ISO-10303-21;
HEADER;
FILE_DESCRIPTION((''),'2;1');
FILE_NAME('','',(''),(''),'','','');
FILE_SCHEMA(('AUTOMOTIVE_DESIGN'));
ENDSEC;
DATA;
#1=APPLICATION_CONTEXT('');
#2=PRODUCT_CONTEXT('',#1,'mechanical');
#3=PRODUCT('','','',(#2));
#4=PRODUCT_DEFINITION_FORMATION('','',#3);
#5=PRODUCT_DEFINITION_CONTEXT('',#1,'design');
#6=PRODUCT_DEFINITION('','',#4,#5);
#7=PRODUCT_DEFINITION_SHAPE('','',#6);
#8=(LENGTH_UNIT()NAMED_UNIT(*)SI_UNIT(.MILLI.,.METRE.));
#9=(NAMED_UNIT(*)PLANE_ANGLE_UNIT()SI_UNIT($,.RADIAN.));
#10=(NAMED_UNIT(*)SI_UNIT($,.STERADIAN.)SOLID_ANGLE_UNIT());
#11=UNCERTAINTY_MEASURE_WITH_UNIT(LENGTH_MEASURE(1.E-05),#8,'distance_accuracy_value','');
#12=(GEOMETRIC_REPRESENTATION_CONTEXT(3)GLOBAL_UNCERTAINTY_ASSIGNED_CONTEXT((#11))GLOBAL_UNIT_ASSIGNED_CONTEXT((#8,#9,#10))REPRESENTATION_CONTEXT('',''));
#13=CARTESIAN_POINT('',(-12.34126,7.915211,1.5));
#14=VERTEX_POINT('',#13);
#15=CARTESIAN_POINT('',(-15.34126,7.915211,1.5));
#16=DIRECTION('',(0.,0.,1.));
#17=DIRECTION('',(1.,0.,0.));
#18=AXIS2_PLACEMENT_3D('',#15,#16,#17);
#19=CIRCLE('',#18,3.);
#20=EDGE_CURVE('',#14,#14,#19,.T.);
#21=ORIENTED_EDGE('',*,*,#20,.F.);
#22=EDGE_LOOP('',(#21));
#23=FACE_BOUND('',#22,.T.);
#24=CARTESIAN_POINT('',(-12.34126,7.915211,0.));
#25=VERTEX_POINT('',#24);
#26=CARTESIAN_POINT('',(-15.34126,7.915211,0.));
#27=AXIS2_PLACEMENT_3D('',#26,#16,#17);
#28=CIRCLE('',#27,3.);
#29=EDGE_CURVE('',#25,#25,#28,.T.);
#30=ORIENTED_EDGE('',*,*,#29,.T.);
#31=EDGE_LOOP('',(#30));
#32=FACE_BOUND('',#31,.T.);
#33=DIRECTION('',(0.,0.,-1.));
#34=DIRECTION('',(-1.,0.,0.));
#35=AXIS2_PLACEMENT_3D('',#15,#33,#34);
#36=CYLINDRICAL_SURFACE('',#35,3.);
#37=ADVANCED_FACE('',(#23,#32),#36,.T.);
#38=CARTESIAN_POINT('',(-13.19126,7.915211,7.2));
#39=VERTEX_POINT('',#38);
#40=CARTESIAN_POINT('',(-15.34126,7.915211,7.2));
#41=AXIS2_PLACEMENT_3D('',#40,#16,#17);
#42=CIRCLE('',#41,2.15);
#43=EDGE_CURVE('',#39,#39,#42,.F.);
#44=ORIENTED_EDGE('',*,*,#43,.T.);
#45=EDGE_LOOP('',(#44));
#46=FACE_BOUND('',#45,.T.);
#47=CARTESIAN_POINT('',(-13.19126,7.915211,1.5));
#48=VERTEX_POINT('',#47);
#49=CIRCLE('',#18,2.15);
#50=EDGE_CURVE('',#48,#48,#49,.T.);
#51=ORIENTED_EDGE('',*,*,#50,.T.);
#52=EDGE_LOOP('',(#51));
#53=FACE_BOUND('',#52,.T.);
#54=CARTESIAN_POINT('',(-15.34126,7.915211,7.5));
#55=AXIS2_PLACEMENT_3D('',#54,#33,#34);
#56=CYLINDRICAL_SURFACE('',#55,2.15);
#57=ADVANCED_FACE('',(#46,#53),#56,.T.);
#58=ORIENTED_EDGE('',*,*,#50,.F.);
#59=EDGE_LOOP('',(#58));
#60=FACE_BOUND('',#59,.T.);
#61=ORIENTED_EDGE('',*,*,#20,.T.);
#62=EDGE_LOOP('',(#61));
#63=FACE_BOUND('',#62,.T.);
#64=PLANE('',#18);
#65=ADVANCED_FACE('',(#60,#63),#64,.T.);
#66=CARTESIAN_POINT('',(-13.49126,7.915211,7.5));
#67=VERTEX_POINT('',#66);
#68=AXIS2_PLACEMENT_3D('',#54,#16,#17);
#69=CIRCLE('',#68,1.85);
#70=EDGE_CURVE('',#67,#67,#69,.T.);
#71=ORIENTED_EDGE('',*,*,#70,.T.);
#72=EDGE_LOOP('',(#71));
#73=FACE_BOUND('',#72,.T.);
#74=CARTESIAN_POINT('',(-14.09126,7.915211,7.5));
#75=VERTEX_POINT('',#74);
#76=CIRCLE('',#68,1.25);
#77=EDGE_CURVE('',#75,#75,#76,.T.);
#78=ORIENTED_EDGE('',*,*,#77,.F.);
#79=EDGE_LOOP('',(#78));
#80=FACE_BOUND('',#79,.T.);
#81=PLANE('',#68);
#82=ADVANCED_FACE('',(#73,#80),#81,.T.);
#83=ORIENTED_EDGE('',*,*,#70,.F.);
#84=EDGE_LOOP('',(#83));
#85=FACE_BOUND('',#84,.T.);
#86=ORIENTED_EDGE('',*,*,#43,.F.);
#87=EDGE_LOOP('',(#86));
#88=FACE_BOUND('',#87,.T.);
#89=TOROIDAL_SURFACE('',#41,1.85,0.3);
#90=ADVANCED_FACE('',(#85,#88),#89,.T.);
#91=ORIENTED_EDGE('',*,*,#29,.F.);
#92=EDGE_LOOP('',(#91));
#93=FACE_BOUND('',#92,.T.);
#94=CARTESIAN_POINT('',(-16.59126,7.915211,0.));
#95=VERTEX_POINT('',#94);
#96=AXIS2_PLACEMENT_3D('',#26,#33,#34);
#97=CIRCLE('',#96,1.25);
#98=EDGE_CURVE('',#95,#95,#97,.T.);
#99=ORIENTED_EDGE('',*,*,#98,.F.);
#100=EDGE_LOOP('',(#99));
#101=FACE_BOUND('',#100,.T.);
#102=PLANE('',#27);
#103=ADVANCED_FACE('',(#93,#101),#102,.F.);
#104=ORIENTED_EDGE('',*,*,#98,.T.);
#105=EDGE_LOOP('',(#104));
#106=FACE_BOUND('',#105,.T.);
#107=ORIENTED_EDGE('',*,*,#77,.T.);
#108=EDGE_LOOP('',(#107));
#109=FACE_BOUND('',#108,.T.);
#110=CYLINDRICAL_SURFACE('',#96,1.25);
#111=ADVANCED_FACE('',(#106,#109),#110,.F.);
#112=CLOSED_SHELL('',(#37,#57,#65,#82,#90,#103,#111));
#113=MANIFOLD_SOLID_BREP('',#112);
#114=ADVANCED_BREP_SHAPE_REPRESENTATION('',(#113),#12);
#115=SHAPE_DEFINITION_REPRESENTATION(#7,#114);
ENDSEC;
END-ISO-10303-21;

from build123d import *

# Parameters (mm, degrees)
ESBO_O1_R                                  = 3
RESSALTO_EXTRUS_O1_DEPTH                   = 1.5
ESBO_O2_R                                  = 2.15
RESSALTO_EXTRUS_O2_DEPTH                   = 6
BROCA_DE_ROSQUEAR_PARA_TARRAXA_DE_M3X0_5_D = 2.5
FILETE1_R                                  = 0.3


with BuildPart() as part:
    # Esboço1 → Ressalto-extrusão1 (new body)
    with BuildSketch(Plane.XY):
        with Locations((-15.341260315, 7.915210608)):
            Circle(ESBO_O1_R)
    extrude(amount=RESSALTO_EXTRUS_O1_DEPTH)

    # Esboço2 → Ressalto-extrusão2 (add)
    with BuildSketch(Plane.XY.offset(1.5)):
        with Locations((-15.341260315, 7.915210608)):
            Circle(ESBO_O2_R)
    extrude(amount=RESSALTO_EXTRUS_O2_DEPTH)

    # Broca de rosquear para tarraxa de M3x0.51 (through all)
    with Locations(Plane(origin=(0, 0, 0), x_dir=(-1, 0, 0), z_dir=(0, 0, -1))):
        with Locations((15.341260315, 7.915210608)):
            Hole(BROCA_DE_ROSQUEAR_PARA_TARRAXA_DE_M3X0_5_D / 2)

    # Filete1
    filete1_edges = [part.edges().sort_by_distance(p)[0] for p in [
        (-17.491260315, 7.915210608, 7.5),
    ]]
    fillet(filete1_edges, radius=FILETE1_R)


solid = part.part
